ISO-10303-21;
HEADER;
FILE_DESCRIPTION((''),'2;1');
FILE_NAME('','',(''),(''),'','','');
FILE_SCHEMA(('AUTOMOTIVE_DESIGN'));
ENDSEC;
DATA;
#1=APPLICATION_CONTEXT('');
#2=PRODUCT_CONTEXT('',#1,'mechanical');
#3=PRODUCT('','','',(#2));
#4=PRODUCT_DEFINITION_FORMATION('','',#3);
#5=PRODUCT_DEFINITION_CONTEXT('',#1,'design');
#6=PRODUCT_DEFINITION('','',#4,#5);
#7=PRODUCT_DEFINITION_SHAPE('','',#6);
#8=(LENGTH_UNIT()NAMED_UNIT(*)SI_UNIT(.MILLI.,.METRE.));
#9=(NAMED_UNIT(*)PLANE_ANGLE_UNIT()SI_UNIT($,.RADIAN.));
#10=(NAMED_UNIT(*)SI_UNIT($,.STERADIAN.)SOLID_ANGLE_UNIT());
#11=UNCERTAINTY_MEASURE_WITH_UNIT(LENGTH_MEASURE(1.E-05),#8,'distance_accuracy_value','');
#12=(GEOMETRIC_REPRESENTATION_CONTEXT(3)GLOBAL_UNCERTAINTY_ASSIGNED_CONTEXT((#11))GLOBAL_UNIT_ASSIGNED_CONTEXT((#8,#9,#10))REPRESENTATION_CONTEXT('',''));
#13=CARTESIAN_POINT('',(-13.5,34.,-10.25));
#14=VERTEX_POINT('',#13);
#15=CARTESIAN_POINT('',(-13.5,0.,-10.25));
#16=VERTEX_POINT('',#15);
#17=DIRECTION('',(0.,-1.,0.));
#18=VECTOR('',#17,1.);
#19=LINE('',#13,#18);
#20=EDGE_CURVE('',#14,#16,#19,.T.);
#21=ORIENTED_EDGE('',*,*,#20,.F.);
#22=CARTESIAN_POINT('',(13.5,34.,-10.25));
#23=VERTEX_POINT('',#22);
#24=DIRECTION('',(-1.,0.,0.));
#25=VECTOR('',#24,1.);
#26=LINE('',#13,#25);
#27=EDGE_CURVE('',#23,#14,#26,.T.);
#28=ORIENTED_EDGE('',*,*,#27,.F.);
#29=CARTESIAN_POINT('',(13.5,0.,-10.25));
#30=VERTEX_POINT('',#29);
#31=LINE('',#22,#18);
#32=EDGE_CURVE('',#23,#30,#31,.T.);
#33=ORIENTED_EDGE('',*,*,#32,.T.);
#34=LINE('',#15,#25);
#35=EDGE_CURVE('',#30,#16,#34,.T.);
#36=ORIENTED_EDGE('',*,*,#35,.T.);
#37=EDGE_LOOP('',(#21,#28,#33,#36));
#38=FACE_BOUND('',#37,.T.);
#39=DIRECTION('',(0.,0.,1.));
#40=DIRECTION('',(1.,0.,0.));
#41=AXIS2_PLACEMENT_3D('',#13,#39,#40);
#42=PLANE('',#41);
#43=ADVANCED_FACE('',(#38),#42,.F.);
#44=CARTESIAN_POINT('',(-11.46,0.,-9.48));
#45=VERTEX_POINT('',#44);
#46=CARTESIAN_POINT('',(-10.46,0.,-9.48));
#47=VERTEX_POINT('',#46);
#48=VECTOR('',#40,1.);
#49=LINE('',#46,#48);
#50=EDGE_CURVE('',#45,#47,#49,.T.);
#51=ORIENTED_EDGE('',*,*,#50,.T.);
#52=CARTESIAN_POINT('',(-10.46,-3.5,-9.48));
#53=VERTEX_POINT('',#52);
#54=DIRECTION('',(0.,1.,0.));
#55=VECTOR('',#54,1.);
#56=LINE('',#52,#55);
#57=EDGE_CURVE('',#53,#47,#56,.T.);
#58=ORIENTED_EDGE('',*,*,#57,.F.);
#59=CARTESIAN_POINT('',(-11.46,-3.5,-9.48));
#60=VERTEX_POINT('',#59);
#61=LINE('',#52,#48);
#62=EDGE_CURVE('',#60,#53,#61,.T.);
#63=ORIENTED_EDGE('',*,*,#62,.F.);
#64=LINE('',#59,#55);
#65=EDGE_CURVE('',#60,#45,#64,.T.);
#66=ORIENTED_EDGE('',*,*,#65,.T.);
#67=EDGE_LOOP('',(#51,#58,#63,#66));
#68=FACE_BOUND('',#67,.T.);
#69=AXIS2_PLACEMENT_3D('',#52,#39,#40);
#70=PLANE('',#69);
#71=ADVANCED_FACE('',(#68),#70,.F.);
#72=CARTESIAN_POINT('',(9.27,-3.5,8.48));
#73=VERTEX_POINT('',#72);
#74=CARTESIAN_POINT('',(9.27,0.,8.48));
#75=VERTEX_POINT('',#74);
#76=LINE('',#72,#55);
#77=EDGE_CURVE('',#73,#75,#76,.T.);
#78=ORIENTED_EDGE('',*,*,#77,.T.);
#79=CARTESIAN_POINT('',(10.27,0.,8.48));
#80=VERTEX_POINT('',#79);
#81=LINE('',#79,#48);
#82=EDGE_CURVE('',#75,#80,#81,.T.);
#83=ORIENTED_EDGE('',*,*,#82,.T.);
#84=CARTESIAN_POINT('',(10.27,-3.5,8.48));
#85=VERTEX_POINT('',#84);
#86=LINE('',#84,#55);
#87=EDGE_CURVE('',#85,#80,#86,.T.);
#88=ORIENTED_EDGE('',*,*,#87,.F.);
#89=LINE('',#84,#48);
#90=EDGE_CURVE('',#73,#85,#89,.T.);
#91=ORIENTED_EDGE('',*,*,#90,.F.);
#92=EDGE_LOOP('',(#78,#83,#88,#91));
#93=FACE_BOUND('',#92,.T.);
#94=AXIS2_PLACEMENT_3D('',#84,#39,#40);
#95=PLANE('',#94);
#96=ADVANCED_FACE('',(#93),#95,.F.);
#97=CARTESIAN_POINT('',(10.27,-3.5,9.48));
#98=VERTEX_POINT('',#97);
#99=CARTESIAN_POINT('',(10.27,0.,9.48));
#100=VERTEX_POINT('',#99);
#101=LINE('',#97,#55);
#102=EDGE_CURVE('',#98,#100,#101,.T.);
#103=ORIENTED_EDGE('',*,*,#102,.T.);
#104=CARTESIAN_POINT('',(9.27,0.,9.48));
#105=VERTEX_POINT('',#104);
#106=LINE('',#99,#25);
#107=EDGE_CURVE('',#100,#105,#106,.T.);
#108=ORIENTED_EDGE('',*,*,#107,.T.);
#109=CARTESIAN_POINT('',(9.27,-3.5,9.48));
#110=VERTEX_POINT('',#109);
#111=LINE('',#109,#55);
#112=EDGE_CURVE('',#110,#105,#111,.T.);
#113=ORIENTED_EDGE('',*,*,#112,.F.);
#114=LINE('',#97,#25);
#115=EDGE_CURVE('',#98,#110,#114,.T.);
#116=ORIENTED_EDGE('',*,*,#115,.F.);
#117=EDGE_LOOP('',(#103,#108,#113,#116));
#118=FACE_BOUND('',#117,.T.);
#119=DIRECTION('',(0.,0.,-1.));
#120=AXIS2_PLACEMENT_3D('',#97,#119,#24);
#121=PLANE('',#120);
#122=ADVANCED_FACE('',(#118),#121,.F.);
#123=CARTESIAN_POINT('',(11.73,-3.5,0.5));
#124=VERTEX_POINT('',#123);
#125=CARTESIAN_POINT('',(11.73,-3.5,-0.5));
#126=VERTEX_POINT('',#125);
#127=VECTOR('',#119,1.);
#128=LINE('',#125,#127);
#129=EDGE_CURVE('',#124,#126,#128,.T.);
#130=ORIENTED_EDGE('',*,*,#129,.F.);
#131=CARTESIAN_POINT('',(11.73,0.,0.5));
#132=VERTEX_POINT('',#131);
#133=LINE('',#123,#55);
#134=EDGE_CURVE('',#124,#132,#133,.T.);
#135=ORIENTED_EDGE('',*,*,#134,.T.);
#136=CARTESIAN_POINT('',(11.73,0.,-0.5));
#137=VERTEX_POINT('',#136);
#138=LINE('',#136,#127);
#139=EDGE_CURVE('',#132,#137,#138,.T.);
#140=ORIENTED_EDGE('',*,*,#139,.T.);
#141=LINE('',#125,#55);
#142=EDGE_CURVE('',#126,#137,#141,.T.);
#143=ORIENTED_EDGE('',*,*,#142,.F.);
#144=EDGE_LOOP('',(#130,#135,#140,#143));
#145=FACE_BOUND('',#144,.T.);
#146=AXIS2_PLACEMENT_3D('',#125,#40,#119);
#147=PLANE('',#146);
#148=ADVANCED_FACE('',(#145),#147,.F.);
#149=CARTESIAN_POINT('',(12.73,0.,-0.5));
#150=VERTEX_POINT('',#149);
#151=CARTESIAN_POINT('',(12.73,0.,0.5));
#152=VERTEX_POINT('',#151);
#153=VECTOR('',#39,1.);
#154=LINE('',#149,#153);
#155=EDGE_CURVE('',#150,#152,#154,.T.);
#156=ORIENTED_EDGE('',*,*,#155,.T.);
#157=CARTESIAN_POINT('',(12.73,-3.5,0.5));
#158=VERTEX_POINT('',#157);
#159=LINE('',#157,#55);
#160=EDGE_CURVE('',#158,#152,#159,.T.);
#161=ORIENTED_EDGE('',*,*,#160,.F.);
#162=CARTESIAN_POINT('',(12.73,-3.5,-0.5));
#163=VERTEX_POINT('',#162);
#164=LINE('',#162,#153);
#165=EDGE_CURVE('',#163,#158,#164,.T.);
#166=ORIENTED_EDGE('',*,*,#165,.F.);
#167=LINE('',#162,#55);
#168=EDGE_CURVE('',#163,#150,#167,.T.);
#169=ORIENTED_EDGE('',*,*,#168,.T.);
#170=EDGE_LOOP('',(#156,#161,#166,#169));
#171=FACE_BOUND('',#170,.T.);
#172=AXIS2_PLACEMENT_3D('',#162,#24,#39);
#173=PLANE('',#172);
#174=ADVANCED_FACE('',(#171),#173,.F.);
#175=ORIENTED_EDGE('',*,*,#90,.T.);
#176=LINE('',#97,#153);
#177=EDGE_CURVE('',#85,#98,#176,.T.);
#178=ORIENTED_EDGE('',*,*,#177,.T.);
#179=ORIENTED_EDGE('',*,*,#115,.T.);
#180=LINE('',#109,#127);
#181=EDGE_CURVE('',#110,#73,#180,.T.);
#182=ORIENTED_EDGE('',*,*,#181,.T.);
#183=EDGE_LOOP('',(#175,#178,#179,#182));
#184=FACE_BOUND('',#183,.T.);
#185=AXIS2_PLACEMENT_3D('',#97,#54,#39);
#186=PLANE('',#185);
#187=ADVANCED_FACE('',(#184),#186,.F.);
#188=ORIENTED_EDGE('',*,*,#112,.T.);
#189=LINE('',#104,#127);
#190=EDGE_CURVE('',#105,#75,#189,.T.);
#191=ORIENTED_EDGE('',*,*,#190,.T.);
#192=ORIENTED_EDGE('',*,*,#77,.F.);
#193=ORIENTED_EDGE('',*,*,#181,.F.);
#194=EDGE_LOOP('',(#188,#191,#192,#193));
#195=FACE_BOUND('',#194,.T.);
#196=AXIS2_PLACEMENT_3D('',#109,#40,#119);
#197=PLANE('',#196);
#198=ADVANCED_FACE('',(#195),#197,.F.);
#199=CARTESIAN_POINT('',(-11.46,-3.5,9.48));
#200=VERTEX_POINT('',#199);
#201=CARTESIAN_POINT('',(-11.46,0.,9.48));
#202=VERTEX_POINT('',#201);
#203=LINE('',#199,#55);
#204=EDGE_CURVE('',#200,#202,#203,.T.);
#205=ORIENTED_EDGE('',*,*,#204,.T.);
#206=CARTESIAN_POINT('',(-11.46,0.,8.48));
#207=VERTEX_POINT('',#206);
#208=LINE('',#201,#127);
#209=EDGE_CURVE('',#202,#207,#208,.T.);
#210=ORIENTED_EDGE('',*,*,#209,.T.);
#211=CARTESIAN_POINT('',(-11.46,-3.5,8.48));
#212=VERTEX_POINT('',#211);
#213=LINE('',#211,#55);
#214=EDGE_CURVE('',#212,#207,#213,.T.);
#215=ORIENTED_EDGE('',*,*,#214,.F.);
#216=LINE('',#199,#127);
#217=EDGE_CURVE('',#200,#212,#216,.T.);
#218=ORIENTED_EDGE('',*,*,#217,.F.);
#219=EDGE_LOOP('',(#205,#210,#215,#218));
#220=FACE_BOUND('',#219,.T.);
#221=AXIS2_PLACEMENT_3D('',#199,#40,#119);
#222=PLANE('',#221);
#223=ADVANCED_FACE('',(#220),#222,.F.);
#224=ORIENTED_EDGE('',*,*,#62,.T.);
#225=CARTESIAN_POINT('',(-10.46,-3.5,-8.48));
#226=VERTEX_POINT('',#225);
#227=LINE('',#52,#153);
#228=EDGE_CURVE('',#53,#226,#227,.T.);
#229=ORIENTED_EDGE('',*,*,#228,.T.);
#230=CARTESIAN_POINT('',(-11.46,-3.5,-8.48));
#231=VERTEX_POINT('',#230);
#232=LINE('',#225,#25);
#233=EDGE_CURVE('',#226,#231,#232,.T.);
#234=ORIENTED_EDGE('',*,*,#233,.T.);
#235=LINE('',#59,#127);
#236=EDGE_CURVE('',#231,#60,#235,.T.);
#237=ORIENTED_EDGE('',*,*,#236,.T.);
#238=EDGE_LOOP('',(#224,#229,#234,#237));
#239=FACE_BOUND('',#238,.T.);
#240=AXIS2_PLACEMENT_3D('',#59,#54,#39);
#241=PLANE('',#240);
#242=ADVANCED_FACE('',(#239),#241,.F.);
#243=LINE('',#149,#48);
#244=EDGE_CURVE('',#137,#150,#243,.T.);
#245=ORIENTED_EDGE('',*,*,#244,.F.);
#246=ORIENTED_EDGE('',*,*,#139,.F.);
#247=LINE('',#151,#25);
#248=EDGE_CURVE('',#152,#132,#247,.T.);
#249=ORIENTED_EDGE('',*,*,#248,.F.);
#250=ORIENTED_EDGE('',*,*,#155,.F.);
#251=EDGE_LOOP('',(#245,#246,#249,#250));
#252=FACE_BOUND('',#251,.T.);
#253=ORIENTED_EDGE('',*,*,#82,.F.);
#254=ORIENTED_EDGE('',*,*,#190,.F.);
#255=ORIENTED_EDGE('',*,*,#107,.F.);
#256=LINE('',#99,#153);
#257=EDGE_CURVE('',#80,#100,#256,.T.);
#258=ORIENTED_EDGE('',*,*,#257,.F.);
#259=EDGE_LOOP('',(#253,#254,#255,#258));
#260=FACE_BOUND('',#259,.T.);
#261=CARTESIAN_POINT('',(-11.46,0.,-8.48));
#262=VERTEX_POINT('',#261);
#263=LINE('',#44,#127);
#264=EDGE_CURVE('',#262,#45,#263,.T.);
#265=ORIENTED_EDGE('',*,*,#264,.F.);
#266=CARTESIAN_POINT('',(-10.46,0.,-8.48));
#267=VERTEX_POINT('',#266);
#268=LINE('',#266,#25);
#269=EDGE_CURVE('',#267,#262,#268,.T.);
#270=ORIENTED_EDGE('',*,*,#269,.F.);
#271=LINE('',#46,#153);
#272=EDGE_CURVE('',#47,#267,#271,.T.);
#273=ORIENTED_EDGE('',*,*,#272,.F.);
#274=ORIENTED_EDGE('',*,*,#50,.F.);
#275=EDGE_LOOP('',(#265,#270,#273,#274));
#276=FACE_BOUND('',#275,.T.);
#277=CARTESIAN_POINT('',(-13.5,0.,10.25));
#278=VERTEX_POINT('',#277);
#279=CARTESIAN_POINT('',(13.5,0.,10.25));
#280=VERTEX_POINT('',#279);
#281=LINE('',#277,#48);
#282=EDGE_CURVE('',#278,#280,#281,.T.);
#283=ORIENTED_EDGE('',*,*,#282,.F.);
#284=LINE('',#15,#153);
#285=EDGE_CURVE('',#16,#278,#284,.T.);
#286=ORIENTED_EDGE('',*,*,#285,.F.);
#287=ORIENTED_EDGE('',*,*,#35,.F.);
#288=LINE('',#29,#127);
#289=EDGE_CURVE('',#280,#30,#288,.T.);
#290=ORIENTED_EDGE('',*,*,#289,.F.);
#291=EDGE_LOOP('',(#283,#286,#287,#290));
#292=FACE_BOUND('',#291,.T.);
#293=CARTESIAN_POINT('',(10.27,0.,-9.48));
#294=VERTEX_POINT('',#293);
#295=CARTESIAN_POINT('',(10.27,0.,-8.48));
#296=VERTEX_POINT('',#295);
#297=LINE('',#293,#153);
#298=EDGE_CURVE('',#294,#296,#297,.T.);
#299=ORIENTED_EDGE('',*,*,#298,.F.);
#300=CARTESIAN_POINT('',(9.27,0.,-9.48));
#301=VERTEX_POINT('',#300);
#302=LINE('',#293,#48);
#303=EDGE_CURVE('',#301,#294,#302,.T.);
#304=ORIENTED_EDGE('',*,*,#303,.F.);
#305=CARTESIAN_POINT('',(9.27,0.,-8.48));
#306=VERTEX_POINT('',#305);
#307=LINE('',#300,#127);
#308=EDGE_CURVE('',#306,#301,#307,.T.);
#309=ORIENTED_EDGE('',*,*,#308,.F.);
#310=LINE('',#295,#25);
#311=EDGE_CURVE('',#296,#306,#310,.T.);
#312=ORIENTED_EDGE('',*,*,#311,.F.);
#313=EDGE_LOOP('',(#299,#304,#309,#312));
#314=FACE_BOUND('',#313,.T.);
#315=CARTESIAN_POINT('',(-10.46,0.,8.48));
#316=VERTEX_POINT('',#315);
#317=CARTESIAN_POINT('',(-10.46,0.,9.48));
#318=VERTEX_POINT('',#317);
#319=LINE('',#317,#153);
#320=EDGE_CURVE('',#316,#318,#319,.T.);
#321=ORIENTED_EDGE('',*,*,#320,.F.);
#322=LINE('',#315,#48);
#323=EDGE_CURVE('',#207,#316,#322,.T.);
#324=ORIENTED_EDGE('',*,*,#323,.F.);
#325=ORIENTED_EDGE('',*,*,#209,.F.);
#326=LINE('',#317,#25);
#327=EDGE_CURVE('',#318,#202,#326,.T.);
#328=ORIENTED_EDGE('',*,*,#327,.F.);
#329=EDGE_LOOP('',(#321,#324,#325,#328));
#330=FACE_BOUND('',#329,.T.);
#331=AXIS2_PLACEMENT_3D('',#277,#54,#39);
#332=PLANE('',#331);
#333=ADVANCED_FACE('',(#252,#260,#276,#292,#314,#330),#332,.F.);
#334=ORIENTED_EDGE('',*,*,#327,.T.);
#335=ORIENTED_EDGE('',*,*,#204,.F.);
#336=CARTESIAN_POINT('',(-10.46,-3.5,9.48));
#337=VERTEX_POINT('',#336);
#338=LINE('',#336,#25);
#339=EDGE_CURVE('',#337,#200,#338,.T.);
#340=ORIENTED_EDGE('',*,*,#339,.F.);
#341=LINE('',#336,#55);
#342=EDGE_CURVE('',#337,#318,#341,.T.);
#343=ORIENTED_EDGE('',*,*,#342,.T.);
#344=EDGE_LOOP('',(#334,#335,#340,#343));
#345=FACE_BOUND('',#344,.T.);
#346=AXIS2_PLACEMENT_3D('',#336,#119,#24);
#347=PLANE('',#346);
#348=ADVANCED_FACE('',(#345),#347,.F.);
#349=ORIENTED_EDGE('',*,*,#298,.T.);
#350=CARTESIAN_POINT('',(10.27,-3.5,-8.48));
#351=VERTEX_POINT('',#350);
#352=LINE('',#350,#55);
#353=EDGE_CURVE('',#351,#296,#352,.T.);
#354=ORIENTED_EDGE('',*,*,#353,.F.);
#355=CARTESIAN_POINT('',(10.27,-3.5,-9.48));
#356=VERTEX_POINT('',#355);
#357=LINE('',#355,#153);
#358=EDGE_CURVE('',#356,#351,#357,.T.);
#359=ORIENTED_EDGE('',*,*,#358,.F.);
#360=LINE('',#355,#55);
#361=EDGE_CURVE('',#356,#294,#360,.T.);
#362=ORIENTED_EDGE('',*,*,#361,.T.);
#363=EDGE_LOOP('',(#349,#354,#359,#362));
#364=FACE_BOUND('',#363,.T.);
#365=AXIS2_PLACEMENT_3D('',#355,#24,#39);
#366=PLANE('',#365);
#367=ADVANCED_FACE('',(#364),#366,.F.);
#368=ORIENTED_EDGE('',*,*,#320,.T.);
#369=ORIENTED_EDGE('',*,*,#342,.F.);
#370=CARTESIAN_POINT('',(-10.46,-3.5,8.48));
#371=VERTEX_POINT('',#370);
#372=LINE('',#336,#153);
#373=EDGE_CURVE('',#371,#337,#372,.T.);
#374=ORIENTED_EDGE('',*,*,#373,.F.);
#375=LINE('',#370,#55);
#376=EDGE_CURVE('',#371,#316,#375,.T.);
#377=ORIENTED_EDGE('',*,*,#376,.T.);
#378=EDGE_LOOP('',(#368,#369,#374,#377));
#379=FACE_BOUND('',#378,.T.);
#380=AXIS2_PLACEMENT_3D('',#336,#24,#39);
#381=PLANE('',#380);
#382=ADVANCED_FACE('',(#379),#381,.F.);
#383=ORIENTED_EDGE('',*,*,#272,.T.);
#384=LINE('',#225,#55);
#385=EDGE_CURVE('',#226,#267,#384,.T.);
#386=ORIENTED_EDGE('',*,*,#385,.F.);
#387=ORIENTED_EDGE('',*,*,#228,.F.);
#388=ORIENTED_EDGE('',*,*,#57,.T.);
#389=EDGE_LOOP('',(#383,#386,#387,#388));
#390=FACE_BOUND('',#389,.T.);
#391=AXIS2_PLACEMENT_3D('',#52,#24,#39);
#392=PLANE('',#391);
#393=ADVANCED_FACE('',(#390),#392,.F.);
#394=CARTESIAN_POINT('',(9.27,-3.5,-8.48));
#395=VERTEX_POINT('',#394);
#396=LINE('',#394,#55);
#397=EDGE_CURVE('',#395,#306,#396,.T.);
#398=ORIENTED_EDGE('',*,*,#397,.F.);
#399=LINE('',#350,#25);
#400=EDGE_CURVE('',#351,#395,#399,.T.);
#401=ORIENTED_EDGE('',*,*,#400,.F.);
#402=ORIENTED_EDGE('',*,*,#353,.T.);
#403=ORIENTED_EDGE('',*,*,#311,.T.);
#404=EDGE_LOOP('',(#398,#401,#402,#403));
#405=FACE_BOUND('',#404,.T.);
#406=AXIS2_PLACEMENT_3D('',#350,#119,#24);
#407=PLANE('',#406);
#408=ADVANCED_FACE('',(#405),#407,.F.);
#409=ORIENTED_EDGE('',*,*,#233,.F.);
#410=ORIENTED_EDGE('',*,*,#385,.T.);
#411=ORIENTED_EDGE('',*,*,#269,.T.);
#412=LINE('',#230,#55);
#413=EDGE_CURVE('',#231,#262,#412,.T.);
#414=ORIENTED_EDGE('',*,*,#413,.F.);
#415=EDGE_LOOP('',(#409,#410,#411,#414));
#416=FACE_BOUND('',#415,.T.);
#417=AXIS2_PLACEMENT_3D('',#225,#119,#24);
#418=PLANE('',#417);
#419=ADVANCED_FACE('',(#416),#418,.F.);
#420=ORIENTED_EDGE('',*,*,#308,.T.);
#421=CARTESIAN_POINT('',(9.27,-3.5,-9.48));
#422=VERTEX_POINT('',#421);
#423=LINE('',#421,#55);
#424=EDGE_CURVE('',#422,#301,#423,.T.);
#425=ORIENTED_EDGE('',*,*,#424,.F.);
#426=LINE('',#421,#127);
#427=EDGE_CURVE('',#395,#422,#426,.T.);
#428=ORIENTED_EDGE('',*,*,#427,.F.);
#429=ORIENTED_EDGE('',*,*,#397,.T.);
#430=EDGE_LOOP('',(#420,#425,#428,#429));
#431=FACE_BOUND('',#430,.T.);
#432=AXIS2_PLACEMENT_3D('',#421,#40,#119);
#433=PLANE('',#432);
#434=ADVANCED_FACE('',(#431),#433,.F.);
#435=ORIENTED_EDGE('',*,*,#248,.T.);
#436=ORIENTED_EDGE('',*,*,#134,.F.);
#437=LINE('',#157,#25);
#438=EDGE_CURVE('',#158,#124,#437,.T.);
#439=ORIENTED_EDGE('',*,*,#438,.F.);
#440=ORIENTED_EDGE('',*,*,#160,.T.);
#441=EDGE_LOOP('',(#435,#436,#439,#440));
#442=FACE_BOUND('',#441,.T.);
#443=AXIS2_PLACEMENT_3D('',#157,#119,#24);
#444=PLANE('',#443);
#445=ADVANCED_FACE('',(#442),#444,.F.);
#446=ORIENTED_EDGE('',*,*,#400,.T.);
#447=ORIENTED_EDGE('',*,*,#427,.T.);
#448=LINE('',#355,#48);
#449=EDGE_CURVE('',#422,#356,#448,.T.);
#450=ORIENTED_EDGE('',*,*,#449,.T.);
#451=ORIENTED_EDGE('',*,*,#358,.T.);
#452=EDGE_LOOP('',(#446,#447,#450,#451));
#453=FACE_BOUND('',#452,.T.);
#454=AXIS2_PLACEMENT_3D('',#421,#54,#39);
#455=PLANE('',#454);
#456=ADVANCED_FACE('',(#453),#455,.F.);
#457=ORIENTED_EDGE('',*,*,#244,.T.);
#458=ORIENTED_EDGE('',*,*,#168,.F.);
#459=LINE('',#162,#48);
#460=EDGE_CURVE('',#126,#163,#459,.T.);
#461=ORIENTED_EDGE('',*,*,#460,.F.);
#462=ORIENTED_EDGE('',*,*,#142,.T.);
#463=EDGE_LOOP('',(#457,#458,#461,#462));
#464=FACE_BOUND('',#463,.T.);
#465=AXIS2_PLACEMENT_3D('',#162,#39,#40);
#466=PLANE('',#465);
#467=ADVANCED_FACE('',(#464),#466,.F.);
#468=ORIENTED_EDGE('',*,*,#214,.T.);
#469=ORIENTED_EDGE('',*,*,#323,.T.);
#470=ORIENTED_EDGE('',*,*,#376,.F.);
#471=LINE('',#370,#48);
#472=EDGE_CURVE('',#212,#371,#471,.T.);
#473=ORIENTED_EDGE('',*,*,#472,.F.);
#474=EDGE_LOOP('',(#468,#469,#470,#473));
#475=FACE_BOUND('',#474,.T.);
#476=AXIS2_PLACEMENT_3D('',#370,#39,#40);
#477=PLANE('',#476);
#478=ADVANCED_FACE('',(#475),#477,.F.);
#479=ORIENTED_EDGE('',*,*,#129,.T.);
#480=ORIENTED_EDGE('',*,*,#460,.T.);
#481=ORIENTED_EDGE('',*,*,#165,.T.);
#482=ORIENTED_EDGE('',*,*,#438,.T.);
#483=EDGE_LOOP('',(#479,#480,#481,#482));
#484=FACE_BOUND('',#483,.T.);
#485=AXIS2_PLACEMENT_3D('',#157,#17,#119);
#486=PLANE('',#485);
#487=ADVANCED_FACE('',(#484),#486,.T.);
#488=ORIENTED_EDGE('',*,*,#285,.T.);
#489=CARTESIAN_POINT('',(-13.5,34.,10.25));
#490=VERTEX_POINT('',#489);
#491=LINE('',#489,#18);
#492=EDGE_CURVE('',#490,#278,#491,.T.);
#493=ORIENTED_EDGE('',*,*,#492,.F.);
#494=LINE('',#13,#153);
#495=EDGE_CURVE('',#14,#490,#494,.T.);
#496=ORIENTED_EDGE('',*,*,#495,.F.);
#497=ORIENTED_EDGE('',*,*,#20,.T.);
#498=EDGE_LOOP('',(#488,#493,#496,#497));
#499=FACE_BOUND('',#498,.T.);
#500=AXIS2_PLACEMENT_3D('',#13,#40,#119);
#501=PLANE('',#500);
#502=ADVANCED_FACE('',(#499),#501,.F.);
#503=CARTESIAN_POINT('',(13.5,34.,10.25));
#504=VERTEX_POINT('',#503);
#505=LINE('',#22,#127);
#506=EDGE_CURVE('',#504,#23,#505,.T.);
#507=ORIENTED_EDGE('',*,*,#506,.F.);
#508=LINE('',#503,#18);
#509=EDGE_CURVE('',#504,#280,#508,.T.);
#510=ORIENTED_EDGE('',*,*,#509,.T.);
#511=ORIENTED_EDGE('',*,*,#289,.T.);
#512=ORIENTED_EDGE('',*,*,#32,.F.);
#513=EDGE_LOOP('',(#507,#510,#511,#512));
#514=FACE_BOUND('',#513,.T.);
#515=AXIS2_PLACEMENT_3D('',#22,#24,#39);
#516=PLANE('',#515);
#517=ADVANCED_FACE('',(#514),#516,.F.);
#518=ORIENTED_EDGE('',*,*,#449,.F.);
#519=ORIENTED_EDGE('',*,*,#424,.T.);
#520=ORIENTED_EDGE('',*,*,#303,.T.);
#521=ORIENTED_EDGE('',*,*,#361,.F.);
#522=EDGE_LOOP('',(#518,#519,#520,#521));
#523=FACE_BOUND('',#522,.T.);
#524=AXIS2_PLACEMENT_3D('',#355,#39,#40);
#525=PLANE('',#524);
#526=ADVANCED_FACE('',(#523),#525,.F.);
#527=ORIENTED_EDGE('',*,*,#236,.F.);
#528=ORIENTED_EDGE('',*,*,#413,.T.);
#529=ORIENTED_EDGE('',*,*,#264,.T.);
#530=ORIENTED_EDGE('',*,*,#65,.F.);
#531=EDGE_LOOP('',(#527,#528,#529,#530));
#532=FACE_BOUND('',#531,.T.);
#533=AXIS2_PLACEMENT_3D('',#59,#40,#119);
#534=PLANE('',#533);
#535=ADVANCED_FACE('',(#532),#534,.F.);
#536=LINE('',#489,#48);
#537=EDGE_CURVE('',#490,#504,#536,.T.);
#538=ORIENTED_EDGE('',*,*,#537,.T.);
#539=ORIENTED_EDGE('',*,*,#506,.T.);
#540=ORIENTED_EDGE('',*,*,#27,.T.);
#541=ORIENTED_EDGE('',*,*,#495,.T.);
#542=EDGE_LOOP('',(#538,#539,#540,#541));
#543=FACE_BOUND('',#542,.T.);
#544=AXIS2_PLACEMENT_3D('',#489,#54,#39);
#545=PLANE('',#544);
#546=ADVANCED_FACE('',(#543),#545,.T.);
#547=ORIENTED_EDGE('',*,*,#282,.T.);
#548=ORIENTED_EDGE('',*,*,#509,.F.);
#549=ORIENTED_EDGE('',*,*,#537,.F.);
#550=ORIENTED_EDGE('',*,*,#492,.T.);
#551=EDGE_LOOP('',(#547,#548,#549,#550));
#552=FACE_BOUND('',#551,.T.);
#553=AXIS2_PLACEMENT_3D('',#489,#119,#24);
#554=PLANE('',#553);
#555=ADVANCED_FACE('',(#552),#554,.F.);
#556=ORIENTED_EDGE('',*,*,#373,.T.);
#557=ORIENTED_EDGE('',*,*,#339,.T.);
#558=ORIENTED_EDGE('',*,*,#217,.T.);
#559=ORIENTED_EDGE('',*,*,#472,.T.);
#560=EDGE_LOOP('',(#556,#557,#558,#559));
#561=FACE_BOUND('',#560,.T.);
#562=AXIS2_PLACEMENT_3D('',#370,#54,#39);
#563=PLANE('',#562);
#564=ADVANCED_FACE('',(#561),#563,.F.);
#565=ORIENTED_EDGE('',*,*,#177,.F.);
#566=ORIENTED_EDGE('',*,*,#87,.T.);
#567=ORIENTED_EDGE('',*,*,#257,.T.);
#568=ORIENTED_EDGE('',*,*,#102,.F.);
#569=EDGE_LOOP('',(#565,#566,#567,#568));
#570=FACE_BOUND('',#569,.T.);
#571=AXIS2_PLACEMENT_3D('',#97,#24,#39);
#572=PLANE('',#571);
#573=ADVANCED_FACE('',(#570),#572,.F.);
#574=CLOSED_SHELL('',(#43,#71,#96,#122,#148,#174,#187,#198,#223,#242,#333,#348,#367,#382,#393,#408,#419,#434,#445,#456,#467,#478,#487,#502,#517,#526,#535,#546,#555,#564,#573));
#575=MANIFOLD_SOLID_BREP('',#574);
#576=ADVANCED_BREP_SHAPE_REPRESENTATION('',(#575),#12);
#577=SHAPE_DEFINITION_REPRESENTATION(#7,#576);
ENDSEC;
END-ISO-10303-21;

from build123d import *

# Parameters (mm, degrees)
SKETCH_1_W      = 27
SKETCH_1_H      = 20.5
EXTRUDE_1_DEPTH = 34
SKETCH_2_W      = 1
SKETCH_2_H      = 1
EXTRUDE_2_DEPTH = 3.5


with BuildPart() as part:
    # 草图1 → 拉伸1 (new body)
    with BuildSketch(Plane(origin=(0, 0, 0), x_dir=(1, 0, 0), z_dir=(0, 1, 0))):
        Rectangle(SKETCH_1_W, SKETCH_1_H)
    extrude(amount=EXTRUDE_1_DEPTH)

    # 草图2 → 拉伸2 (add)
    with BuildSketch(Plane.XZ):
        with Locations((12.23, 0)):
            Rectangle(SKETCH_2_W, SKETCH_2_H)
        with Locations((9.77, 8.98)):
            Rectangle(SKETCH_2_W, SKETCH_2_H)
        with Locations((-10.96, 8.98)):
            Rectangle(SKETCH_2_W, SKETCH_2_H)
        with Locations((-10.96, -8.98)):
            Rectangle(SKETCH_2_W, SKETCH_2_H)
        with Locations((9.77, -8.98)):
            Rectangle(SKETCH_2_W, SKETCH_2_H)
    extrude(amount=EXTRUDE_2_DEPTH)


solid = part.part
